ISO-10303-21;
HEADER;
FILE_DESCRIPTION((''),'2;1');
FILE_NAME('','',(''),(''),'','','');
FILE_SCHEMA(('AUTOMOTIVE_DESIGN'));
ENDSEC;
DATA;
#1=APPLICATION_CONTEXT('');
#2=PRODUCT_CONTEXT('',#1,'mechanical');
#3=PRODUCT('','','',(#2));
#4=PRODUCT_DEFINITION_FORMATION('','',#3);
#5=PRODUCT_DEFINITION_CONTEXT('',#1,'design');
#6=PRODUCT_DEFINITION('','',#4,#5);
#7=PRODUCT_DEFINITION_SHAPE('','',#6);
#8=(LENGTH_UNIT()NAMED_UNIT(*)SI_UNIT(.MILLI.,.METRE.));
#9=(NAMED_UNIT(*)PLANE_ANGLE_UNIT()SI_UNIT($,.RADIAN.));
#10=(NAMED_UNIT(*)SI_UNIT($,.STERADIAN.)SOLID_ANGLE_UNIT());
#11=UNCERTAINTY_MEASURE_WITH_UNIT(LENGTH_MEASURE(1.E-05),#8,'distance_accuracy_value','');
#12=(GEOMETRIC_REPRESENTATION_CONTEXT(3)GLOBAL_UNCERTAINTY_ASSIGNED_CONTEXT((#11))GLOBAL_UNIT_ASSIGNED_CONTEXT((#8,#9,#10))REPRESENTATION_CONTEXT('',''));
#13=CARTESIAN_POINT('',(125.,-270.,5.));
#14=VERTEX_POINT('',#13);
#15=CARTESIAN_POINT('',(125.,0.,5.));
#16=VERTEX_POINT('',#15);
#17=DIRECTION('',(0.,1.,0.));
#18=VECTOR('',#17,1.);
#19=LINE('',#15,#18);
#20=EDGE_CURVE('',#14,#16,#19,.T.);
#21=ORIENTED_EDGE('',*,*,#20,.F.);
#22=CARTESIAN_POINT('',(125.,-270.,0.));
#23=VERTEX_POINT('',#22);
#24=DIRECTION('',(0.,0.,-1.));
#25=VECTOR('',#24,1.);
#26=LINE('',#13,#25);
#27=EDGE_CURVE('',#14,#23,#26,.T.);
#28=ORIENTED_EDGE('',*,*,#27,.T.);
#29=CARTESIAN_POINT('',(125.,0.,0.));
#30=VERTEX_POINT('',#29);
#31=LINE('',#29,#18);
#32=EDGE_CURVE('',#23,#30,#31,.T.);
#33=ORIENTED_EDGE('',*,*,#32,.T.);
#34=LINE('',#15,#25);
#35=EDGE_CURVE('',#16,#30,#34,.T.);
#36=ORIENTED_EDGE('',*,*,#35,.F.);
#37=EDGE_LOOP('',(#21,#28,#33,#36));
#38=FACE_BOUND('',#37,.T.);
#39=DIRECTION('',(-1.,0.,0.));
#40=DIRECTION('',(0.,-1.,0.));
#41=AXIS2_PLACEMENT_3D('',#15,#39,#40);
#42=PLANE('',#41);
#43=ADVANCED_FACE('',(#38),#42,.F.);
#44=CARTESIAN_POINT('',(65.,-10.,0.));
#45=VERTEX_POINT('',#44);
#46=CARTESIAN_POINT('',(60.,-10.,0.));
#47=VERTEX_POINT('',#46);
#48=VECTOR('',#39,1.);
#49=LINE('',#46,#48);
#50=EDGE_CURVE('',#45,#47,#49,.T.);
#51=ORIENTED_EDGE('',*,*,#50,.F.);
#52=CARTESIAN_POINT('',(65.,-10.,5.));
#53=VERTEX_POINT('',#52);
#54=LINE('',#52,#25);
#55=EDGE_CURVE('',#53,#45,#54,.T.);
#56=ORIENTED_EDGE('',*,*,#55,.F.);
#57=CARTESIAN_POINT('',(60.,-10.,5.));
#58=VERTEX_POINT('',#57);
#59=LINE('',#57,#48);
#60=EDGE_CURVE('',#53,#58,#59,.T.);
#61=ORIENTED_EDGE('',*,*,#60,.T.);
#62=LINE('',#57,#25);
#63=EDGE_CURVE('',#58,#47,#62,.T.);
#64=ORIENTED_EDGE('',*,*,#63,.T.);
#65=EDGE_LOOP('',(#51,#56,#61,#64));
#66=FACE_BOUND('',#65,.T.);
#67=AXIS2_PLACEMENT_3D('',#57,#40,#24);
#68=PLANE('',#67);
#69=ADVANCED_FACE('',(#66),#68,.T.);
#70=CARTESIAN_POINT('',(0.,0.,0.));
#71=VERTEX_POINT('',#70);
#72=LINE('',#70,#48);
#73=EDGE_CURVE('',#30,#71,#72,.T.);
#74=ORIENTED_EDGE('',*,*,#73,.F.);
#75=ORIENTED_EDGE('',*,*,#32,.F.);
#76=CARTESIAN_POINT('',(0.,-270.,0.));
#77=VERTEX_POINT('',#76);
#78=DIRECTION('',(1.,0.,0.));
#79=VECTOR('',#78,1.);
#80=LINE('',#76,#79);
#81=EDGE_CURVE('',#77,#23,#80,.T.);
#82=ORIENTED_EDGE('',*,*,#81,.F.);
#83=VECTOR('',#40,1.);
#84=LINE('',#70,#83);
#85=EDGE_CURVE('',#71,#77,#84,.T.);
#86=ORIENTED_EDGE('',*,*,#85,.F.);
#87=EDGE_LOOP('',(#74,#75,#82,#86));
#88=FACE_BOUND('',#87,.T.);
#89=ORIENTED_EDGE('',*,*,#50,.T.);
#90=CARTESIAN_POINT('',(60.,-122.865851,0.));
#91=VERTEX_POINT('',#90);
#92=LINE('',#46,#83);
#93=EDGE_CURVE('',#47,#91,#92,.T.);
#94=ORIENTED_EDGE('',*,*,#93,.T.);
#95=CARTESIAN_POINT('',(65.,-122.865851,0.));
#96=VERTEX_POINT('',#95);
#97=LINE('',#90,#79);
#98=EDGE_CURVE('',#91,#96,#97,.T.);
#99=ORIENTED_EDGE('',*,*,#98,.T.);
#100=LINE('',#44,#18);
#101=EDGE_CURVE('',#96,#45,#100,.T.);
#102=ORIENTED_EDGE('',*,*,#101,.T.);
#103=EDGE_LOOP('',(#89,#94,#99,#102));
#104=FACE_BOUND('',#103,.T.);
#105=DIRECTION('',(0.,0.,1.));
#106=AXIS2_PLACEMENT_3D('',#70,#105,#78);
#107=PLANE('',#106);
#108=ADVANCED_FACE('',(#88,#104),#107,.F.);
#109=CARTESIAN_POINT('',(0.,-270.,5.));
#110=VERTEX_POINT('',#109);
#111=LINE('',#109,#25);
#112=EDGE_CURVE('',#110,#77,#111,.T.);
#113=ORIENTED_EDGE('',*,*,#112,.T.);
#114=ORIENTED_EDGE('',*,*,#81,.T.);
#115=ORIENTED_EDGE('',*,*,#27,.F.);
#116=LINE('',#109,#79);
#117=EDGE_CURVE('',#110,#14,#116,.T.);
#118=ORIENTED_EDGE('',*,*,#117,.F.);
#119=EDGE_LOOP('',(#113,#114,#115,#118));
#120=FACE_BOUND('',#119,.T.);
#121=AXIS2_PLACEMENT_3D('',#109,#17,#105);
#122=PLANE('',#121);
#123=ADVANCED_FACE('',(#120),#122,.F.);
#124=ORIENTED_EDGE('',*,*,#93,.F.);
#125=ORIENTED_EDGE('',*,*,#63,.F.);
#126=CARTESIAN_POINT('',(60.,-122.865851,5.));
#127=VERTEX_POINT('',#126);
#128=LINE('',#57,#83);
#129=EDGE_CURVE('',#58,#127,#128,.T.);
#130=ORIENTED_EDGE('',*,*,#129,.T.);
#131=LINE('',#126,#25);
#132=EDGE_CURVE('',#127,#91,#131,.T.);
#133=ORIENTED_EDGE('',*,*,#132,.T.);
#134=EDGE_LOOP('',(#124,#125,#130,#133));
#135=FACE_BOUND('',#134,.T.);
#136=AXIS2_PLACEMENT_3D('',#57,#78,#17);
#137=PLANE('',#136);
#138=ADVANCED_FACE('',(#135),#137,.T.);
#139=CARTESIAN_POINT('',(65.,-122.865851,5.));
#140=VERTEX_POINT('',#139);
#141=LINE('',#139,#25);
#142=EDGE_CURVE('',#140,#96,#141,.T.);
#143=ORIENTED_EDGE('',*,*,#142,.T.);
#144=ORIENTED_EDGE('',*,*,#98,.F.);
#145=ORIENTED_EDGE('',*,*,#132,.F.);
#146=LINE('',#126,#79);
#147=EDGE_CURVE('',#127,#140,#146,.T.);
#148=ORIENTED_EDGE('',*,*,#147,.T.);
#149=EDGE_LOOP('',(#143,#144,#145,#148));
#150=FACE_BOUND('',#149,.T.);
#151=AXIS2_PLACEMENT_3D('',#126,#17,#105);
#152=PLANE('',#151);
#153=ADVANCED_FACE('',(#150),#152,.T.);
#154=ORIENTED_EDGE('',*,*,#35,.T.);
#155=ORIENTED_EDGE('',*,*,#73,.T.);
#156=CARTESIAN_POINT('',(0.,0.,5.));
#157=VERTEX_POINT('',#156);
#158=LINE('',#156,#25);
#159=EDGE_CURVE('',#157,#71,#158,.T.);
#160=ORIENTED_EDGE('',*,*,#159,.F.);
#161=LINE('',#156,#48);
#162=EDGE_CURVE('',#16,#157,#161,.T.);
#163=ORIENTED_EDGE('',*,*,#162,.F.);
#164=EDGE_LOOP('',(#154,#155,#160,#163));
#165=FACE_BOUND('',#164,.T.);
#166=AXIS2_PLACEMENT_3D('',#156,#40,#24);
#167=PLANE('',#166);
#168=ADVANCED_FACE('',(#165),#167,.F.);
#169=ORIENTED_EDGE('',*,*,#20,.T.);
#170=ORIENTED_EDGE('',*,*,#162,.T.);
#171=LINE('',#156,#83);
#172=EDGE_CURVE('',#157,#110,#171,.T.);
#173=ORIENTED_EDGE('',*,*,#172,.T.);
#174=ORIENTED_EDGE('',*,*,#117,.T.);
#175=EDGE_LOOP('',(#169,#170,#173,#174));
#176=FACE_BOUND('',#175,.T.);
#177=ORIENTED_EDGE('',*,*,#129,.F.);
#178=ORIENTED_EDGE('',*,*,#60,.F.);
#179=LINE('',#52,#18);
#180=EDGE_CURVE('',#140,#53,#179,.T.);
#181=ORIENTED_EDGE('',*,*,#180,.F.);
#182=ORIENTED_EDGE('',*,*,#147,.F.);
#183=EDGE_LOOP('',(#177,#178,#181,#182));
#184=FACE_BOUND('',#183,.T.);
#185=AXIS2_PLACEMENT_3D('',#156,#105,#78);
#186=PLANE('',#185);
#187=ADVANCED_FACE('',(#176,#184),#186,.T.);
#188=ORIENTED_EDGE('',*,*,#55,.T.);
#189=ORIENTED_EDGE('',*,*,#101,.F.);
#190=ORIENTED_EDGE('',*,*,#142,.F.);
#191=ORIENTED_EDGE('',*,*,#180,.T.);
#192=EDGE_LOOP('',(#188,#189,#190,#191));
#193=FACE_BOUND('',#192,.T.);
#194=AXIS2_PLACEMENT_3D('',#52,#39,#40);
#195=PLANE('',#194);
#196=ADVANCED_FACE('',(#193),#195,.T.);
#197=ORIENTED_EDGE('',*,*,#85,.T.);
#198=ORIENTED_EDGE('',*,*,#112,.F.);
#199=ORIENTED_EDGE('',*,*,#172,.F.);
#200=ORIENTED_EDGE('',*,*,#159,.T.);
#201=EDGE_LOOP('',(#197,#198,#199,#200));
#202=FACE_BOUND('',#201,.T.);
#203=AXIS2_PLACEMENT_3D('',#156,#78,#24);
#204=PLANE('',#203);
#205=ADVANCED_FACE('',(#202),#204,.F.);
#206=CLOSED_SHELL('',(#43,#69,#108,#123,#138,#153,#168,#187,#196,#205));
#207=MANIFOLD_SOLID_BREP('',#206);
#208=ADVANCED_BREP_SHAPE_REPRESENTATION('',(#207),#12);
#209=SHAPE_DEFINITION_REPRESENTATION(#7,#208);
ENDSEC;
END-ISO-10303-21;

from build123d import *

# Parameters (mm, degrees)
SKETCH2_W           = 125
SKETCH2_H           = 270
SKETCH2_W_2         = 5
SKETCH2_H_2         = 112.865850887
BOSS_EXTRUDE2_DEPTH = 5


with BuildPart() as part:
    # Sketch2 → Boss-Extrude2 (new body)
    with BuildSketch(Plane.XY):
        with Locations((62.5, -135)):
            Rectangle(SKETCH2_W, SKETCH2_H)
        with Locations((62.5, -66.432925444)):
            Rectangle(SKETCH2_W_2, SKETCH2_H_2, mode=Mode.SUBTRACT)
    extrude(amount=BOSS_EXTRUDE2_DEPTH)


solid = part.part
